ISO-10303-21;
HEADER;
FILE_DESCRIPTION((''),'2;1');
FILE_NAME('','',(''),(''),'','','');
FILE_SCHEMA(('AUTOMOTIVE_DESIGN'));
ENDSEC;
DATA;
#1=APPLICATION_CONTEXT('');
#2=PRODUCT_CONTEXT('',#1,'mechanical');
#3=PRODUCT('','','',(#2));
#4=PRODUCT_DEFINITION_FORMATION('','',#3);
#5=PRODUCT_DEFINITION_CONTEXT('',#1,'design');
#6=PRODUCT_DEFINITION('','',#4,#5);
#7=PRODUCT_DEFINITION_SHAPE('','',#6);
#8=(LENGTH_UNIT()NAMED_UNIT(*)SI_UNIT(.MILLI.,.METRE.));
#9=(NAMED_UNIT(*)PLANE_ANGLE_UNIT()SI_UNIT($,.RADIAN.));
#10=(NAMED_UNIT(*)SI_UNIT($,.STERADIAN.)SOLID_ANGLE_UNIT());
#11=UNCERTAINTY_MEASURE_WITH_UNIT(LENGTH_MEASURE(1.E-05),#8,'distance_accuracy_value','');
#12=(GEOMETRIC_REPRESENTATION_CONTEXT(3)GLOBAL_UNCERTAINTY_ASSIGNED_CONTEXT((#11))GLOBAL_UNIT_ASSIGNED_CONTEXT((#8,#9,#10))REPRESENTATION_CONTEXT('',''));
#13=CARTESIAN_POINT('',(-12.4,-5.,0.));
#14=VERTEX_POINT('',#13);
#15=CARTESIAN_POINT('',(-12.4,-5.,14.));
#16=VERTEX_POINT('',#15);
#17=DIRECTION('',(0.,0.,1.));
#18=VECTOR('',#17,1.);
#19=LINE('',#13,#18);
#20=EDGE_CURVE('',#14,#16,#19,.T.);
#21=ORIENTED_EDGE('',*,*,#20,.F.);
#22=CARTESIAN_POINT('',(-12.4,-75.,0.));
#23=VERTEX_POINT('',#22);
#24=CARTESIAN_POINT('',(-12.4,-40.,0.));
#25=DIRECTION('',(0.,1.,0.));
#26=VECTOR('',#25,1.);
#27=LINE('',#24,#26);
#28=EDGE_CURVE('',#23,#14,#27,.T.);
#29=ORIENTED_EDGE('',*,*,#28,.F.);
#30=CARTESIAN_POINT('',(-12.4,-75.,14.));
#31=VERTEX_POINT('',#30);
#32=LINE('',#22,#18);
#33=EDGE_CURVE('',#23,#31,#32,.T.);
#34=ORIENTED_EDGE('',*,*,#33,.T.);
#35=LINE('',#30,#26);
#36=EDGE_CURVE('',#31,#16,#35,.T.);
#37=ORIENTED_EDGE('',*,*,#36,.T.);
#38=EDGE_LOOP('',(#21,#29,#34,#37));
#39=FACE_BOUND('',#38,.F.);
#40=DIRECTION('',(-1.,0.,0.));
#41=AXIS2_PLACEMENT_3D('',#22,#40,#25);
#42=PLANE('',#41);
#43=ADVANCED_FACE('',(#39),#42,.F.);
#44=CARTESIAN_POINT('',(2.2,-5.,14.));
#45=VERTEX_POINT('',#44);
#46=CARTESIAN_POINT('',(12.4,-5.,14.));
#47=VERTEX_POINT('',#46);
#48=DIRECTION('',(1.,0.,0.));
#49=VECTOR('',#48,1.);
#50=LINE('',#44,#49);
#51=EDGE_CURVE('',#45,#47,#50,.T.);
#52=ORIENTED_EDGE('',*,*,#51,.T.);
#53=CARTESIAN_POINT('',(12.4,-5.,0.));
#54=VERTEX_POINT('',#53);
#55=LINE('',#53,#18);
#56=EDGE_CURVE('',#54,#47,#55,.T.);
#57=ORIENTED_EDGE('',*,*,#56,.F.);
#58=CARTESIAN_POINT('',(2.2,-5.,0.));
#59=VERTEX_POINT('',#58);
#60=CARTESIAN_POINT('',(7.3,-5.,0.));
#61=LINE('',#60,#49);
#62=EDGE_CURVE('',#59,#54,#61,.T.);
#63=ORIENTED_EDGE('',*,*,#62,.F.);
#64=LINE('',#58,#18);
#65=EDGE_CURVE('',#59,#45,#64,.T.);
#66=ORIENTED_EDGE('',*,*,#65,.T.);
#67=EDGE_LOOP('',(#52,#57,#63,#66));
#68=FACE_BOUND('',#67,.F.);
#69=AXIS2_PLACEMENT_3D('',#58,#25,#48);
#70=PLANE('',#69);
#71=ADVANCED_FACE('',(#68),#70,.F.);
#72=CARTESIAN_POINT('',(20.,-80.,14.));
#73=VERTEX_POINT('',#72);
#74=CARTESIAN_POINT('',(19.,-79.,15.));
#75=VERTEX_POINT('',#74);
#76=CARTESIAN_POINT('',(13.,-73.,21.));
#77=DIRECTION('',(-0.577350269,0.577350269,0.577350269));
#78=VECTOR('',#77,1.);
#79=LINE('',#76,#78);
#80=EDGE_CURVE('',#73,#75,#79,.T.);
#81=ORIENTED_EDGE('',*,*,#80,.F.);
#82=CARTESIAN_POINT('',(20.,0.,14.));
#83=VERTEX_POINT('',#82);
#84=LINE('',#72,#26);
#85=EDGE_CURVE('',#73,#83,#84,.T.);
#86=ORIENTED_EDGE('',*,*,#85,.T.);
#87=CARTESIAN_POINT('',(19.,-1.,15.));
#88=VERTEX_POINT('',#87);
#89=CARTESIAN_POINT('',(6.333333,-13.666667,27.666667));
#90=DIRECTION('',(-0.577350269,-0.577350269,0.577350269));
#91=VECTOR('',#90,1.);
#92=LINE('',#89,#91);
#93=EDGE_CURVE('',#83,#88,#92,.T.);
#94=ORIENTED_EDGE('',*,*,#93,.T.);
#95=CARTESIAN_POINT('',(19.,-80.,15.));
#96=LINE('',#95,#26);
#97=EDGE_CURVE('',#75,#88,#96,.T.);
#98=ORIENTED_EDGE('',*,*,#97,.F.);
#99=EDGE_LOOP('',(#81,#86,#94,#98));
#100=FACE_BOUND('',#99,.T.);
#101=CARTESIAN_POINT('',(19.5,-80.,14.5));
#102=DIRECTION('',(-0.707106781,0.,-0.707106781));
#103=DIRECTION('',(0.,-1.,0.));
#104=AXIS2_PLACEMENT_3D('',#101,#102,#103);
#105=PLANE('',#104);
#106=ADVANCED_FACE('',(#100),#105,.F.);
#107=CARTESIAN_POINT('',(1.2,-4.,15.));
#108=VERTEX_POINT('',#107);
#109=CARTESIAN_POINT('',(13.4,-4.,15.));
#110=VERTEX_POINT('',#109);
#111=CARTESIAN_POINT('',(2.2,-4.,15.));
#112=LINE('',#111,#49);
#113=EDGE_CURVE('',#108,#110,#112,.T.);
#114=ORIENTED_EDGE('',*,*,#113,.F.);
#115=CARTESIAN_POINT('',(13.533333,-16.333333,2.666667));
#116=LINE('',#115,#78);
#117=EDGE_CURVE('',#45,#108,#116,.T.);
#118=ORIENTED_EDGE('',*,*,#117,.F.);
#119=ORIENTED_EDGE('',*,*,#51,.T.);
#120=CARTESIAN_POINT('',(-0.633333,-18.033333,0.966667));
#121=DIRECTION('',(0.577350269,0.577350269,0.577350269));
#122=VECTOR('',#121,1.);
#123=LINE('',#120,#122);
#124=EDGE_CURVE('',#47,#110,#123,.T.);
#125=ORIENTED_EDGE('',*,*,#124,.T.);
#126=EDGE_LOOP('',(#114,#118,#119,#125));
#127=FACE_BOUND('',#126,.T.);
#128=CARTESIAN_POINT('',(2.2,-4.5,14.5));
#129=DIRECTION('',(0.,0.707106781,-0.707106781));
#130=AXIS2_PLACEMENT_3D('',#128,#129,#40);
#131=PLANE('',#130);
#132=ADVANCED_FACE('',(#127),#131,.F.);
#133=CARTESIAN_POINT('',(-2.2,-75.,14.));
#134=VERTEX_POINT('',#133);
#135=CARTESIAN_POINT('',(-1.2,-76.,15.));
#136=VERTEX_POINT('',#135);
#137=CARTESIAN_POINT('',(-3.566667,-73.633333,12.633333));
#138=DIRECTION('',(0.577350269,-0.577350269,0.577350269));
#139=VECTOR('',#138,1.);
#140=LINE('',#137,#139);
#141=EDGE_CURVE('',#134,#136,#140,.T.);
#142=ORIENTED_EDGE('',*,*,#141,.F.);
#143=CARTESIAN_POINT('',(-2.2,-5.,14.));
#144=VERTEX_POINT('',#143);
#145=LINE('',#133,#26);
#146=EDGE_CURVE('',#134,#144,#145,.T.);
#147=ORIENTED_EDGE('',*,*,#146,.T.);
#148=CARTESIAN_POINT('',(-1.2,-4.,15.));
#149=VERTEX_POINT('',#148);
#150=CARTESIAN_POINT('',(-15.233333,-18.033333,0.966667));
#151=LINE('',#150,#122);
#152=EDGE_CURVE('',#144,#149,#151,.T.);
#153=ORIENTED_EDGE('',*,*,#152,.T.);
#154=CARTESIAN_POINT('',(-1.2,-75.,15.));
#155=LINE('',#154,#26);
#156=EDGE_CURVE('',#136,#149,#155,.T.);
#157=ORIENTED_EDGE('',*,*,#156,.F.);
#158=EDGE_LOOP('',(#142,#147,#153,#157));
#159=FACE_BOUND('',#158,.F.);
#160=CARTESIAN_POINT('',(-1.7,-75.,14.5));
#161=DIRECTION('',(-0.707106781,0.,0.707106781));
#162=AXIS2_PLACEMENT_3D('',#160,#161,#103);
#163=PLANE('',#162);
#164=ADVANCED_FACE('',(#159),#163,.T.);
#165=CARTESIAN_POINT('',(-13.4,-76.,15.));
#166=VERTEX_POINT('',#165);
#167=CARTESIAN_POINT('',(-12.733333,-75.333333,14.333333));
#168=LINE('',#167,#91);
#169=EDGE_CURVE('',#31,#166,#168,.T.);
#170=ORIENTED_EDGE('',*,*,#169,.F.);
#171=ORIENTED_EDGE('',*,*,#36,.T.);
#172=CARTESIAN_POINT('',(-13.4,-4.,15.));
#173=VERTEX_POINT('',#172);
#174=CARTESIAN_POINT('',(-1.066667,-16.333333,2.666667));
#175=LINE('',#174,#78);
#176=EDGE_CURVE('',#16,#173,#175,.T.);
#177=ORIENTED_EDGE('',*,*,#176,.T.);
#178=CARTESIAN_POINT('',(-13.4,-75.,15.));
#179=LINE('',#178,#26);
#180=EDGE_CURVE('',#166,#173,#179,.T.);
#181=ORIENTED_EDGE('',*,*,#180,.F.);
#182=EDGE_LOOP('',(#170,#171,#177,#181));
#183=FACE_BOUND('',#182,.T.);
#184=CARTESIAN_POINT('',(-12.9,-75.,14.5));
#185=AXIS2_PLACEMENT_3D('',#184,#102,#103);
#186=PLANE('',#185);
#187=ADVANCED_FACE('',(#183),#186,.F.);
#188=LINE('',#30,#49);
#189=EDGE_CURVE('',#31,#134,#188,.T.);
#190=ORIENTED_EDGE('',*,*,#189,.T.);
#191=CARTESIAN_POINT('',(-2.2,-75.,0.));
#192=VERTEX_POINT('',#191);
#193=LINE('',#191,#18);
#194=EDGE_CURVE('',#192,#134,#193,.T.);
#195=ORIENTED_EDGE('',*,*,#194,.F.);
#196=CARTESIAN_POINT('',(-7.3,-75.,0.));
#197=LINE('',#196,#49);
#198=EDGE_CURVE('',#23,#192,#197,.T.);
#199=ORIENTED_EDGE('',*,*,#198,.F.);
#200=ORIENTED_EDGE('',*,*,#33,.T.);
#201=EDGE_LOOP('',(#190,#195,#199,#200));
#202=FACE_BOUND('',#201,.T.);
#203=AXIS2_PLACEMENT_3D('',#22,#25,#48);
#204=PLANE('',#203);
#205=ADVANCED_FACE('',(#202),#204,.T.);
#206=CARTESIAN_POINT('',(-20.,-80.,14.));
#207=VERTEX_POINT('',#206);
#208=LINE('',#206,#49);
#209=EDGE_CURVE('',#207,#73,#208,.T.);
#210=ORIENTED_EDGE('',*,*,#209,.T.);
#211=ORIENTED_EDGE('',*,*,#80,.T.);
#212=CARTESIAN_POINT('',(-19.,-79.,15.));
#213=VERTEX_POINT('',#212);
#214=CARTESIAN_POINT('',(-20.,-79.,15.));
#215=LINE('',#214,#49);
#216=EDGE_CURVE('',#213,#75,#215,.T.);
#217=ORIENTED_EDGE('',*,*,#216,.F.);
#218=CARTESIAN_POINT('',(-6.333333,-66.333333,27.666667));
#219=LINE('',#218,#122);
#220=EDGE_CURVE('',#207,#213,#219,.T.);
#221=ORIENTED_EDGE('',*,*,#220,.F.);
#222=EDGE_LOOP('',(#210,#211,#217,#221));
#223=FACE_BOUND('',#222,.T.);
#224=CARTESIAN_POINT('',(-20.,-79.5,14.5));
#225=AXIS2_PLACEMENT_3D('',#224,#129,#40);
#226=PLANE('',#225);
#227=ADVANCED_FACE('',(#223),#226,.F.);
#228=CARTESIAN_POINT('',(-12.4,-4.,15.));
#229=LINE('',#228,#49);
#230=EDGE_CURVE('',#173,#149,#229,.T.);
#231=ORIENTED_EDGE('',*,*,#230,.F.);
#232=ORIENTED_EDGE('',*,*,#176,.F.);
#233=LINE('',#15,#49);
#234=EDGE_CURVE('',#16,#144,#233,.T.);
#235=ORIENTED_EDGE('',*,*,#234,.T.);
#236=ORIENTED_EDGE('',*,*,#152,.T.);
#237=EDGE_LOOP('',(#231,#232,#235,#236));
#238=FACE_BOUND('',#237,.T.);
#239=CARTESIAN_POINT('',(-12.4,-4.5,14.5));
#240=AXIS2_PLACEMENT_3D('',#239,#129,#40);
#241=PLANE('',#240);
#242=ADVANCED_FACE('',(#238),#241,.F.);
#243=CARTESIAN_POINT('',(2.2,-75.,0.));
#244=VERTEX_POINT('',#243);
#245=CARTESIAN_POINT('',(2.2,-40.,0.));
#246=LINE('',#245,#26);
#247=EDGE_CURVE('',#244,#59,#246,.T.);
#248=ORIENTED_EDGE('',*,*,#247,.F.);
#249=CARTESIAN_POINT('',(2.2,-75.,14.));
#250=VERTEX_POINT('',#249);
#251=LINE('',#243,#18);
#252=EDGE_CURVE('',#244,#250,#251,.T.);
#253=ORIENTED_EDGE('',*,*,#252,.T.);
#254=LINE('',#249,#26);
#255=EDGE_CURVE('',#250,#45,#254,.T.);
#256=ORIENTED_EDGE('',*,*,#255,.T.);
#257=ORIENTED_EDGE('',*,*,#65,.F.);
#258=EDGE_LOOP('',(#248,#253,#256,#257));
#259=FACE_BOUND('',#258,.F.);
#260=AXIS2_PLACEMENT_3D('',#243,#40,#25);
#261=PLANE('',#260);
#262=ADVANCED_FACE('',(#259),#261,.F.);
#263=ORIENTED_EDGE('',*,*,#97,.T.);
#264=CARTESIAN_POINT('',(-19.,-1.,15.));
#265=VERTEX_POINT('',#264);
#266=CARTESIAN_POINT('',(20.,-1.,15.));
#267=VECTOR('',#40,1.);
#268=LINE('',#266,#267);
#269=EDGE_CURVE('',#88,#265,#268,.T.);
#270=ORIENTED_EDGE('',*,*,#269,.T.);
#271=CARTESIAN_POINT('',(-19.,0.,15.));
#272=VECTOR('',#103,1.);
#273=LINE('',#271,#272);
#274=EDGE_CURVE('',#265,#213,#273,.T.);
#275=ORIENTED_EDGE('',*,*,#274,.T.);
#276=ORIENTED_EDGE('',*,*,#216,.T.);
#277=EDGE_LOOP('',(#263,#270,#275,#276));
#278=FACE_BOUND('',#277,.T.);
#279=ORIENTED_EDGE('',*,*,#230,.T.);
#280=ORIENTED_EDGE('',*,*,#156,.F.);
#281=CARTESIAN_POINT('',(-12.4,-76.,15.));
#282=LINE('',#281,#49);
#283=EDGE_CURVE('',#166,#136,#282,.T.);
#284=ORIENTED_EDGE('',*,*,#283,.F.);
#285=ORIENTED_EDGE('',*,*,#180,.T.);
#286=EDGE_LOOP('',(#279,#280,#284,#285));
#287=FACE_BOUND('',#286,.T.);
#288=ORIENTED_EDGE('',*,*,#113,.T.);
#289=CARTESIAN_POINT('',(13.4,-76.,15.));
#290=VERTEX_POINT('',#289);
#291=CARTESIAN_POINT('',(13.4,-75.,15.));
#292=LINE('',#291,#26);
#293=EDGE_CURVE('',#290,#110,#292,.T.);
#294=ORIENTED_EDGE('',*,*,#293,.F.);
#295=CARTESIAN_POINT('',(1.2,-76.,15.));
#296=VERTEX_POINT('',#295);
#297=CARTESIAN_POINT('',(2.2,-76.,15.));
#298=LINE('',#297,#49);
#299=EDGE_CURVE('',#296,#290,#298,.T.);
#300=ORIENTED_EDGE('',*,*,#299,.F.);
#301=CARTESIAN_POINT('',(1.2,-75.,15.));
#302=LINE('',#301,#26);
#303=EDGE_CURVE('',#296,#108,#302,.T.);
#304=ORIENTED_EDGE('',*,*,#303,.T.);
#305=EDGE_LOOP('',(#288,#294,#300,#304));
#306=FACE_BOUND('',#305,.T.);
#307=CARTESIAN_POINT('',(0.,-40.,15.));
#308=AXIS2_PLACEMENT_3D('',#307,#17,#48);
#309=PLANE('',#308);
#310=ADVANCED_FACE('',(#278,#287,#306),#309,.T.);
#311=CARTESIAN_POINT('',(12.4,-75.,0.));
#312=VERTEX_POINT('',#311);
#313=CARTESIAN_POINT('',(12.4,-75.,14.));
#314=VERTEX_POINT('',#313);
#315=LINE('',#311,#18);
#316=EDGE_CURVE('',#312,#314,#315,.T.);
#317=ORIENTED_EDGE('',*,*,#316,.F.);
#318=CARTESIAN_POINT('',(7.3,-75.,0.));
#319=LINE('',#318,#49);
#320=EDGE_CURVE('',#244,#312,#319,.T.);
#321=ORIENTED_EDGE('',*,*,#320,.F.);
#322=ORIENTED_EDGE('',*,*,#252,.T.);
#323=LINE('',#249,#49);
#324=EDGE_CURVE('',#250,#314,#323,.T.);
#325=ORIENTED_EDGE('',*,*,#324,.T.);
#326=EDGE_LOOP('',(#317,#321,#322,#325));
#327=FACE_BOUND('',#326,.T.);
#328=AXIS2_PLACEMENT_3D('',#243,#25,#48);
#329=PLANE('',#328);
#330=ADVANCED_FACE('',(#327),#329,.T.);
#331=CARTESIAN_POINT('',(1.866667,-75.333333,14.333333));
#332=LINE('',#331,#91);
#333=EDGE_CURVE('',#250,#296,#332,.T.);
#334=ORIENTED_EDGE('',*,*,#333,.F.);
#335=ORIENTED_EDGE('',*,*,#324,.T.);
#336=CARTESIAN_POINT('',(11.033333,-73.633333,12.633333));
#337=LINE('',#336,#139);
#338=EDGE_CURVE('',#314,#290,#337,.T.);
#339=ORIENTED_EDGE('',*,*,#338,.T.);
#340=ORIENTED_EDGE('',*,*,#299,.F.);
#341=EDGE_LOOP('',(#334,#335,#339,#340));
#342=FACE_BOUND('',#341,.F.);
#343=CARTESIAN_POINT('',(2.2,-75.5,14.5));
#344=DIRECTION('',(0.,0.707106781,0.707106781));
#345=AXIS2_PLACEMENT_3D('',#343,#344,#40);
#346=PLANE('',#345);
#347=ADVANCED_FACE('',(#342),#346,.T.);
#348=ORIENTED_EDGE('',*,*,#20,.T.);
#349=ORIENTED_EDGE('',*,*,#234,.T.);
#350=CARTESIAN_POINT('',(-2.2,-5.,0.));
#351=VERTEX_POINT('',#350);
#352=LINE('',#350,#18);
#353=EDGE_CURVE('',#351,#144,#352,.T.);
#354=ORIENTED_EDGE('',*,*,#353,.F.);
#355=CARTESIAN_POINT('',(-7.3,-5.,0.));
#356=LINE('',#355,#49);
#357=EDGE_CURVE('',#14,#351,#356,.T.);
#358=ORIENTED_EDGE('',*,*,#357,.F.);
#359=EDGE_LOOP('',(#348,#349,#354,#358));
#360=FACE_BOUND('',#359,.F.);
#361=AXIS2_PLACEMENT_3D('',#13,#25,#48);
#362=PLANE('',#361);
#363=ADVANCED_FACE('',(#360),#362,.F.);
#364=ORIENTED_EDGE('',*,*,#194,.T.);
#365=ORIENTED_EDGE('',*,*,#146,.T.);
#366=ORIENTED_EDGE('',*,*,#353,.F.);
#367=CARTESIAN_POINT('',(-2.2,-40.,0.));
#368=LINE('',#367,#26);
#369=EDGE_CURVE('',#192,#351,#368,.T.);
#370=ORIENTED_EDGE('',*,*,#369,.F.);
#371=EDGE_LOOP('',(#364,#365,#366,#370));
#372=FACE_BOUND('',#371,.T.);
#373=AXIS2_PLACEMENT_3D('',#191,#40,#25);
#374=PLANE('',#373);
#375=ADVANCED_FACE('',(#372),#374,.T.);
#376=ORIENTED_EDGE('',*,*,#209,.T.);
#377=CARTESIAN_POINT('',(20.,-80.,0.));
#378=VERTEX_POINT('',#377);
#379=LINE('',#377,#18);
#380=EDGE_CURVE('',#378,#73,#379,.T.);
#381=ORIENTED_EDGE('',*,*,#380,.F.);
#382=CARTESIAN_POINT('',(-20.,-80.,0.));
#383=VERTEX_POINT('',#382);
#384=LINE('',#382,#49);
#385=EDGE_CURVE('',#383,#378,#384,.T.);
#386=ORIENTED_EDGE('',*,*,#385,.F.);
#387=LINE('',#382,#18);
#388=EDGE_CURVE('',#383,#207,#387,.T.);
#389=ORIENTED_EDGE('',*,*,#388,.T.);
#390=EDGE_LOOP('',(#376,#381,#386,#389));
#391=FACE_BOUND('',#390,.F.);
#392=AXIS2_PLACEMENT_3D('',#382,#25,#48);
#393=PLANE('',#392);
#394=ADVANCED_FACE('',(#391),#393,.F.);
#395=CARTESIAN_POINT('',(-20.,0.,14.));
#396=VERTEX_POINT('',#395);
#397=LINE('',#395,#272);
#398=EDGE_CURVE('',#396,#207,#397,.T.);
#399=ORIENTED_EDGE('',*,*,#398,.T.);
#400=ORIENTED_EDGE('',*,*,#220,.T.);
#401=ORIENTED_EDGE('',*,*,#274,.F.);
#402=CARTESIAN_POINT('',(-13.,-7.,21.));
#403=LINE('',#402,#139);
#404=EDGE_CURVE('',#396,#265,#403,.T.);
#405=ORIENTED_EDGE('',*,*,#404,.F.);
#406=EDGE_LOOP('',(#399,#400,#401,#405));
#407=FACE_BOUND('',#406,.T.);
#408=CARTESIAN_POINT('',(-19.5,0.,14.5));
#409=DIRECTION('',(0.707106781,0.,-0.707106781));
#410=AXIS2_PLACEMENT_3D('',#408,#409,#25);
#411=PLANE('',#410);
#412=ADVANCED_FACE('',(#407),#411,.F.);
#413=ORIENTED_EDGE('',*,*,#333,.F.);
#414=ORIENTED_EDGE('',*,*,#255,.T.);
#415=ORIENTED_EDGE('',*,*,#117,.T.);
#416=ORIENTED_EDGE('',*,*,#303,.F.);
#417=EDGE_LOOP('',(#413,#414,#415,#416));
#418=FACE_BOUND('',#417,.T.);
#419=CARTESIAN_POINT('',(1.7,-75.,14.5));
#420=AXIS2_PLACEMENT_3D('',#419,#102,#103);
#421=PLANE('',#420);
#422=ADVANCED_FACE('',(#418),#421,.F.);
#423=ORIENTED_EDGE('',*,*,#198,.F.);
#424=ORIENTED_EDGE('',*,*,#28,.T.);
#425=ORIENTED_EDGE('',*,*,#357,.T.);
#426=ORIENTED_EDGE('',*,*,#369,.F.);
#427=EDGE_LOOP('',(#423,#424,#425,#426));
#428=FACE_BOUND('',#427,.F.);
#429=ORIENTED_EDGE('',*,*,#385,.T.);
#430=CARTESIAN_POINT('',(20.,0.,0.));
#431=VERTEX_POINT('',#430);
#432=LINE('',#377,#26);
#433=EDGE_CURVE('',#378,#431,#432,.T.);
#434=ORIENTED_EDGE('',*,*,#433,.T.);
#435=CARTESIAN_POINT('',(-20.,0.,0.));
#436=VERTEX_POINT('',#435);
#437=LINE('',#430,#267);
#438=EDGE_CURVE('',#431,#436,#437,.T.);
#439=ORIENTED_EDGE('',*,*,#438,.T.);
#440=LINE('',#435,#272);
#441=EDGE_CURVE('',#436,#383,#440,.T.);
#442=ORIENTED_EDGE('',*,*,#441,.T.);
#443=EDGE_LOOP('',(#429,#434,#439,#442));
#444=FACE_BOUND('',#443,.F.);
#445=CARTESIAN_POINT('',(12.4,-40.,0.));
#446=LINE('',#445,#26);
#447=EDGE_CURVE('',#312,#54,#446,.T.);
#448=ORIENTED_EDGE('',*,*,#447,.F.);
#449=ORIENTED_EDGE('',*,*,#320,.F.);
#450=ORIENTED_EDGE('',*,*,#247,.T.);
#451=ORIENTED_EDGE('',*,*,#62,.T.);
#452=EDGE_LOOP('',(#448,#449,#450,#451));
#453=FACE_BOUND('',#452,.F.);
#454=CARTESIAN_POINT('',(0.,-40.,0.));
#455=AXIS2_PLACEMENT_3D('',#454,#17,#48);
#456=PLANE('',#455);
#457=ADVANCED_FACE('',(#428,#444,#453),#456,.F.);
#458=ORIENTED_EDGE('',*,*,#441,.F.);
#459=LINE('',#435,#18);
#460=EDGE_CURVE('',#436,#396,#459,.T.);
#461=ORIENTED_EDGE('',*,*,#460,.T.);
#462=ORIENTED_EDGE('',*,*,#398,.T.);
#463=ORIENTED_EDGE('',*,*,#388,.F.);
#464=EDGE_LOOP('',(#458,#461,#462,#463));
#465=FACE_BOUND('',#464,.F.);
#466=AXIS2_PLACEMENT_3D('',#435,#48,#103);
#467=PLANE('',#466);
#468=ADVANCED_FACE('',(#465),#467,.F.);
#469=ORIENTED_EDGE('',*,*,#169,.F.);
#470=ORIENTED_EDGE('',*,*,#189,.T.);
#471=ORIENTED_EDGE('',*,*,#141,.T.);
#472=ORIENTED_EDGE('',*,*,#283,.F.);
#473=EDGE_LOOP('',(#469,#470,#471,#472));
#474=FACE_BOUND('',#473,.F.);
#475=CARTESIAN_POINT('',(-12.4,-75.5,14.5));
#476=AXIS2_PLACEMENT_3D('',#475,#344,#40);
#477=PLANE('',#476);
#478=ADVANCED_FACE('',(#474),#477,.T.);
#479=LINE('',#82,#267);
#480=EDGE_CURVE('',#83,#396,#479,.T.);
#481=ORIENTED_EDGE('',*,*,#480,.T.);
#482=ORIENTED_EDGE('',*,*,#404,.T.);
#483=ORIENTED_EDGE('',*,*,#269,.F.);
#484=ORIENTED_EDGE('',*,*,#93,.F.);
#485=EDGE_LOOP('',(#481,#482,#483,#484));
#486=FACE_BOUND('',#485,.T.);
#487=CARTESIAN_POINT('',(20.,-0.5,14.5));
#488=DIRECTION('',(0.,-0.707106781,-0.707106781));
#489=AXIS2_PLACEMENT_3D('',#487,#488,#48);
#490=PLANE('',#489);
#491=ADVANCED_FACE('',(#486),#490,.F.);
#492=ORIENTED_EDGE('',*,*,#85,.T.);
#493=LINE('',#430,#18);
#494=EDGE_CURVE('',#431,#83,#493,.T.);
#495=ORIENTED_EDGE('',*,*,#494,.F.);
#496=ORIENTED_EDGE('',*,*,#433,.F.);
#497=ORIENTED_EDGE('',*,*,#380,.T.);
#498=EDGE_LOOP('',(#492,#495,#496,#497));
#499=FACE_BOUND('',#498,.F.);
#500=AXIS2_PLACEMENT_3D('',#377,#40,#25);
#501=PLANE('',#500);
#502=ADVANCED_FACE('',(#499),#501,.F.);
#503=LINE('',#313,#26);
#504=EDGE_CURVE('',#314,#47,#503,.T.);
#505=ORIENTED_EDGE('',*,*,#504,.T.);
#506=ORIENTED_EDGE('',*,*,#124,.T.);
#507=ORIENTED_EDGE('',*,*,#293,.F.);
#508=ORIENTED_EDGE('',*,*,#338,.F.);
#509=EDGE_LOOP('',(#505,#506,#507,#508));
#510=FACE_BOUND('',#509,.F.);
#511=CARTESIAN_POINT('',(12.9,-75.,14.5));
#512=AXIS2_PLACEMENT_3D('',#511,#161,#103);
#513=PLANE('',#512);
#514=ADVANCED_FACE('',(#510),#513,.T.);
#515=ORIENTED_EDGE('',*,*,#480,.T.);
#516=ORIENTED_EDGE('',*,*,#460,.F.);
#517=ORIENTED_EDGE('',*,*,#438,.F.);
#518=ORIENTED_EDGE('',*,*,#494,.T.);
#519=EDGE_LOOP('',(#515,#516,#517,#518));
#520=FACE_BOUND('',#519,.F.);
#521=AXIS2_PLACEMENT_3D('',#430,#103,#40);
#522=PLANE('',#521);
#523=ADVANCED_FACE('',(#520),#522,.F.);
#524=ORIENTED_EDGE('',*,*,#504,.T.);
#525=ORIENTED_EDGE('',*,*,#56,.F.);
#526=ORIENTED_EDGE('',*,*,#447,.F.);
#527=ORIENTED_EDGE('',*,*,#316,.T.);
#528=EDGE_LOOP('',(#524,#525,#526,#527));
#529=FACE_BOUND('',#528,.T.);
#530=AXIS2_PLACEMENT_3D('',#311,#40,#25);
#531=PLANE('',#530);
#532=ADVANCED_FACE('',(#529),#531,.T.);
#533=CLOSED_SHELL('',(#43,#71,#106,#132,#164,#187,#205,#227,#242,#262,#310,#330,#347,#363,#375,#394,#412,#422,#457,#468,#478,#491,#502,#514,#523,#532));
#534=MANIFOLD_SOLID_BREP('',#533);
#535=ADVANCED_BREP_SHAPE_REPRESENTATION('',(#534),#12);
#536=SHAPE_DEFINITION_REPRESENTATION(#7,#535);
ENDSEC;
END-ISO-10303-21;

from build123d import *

# Parameters (mm, degrees)
F0_W     = 10.2
F0_H     = 70
F1_DEPTH = 15
F2_SIZE  = 1


with BuildPart() as f1:
    # F0 (on Top) → F1 (new body)
    with BuildSketch(Plane.XY):
        Polygon((20, 0), (0, 0), (-20, 0), (-20, -80), (0, -80), (20, -80), align=None)
        with Locations((-7.3, -40)):
            Rectangle(F0_W, F0_H, mode=Mode.SUBTRACT)
        with Locations((7.3, -40)):
            Rectangle(F0_W, F0_H, mode=Mode.SUBTRACT)
    extrude(amount=F1_DEPTH)

    # F2
    f2_edges = [f1.edges().sort_by_distance(p)[0] for p in [
        (0, 0, 15),
        (-20, -40, 15),
        (0, -80, 15),
        (20, -40, 15),
        (-7.3, -75, 15),
        (-12.4, -40, 15),
        (-7.3, -5, 15),
        (-2.2, -40, 15),
        (7.3, -5, 15),
        (12.4, -40, 15),
        (7.3, -75, 15),
        (2.2, -40, 15),
    ]]
    chamfer(f2_edges, length=F2_SIZE)


solid = f1.part
